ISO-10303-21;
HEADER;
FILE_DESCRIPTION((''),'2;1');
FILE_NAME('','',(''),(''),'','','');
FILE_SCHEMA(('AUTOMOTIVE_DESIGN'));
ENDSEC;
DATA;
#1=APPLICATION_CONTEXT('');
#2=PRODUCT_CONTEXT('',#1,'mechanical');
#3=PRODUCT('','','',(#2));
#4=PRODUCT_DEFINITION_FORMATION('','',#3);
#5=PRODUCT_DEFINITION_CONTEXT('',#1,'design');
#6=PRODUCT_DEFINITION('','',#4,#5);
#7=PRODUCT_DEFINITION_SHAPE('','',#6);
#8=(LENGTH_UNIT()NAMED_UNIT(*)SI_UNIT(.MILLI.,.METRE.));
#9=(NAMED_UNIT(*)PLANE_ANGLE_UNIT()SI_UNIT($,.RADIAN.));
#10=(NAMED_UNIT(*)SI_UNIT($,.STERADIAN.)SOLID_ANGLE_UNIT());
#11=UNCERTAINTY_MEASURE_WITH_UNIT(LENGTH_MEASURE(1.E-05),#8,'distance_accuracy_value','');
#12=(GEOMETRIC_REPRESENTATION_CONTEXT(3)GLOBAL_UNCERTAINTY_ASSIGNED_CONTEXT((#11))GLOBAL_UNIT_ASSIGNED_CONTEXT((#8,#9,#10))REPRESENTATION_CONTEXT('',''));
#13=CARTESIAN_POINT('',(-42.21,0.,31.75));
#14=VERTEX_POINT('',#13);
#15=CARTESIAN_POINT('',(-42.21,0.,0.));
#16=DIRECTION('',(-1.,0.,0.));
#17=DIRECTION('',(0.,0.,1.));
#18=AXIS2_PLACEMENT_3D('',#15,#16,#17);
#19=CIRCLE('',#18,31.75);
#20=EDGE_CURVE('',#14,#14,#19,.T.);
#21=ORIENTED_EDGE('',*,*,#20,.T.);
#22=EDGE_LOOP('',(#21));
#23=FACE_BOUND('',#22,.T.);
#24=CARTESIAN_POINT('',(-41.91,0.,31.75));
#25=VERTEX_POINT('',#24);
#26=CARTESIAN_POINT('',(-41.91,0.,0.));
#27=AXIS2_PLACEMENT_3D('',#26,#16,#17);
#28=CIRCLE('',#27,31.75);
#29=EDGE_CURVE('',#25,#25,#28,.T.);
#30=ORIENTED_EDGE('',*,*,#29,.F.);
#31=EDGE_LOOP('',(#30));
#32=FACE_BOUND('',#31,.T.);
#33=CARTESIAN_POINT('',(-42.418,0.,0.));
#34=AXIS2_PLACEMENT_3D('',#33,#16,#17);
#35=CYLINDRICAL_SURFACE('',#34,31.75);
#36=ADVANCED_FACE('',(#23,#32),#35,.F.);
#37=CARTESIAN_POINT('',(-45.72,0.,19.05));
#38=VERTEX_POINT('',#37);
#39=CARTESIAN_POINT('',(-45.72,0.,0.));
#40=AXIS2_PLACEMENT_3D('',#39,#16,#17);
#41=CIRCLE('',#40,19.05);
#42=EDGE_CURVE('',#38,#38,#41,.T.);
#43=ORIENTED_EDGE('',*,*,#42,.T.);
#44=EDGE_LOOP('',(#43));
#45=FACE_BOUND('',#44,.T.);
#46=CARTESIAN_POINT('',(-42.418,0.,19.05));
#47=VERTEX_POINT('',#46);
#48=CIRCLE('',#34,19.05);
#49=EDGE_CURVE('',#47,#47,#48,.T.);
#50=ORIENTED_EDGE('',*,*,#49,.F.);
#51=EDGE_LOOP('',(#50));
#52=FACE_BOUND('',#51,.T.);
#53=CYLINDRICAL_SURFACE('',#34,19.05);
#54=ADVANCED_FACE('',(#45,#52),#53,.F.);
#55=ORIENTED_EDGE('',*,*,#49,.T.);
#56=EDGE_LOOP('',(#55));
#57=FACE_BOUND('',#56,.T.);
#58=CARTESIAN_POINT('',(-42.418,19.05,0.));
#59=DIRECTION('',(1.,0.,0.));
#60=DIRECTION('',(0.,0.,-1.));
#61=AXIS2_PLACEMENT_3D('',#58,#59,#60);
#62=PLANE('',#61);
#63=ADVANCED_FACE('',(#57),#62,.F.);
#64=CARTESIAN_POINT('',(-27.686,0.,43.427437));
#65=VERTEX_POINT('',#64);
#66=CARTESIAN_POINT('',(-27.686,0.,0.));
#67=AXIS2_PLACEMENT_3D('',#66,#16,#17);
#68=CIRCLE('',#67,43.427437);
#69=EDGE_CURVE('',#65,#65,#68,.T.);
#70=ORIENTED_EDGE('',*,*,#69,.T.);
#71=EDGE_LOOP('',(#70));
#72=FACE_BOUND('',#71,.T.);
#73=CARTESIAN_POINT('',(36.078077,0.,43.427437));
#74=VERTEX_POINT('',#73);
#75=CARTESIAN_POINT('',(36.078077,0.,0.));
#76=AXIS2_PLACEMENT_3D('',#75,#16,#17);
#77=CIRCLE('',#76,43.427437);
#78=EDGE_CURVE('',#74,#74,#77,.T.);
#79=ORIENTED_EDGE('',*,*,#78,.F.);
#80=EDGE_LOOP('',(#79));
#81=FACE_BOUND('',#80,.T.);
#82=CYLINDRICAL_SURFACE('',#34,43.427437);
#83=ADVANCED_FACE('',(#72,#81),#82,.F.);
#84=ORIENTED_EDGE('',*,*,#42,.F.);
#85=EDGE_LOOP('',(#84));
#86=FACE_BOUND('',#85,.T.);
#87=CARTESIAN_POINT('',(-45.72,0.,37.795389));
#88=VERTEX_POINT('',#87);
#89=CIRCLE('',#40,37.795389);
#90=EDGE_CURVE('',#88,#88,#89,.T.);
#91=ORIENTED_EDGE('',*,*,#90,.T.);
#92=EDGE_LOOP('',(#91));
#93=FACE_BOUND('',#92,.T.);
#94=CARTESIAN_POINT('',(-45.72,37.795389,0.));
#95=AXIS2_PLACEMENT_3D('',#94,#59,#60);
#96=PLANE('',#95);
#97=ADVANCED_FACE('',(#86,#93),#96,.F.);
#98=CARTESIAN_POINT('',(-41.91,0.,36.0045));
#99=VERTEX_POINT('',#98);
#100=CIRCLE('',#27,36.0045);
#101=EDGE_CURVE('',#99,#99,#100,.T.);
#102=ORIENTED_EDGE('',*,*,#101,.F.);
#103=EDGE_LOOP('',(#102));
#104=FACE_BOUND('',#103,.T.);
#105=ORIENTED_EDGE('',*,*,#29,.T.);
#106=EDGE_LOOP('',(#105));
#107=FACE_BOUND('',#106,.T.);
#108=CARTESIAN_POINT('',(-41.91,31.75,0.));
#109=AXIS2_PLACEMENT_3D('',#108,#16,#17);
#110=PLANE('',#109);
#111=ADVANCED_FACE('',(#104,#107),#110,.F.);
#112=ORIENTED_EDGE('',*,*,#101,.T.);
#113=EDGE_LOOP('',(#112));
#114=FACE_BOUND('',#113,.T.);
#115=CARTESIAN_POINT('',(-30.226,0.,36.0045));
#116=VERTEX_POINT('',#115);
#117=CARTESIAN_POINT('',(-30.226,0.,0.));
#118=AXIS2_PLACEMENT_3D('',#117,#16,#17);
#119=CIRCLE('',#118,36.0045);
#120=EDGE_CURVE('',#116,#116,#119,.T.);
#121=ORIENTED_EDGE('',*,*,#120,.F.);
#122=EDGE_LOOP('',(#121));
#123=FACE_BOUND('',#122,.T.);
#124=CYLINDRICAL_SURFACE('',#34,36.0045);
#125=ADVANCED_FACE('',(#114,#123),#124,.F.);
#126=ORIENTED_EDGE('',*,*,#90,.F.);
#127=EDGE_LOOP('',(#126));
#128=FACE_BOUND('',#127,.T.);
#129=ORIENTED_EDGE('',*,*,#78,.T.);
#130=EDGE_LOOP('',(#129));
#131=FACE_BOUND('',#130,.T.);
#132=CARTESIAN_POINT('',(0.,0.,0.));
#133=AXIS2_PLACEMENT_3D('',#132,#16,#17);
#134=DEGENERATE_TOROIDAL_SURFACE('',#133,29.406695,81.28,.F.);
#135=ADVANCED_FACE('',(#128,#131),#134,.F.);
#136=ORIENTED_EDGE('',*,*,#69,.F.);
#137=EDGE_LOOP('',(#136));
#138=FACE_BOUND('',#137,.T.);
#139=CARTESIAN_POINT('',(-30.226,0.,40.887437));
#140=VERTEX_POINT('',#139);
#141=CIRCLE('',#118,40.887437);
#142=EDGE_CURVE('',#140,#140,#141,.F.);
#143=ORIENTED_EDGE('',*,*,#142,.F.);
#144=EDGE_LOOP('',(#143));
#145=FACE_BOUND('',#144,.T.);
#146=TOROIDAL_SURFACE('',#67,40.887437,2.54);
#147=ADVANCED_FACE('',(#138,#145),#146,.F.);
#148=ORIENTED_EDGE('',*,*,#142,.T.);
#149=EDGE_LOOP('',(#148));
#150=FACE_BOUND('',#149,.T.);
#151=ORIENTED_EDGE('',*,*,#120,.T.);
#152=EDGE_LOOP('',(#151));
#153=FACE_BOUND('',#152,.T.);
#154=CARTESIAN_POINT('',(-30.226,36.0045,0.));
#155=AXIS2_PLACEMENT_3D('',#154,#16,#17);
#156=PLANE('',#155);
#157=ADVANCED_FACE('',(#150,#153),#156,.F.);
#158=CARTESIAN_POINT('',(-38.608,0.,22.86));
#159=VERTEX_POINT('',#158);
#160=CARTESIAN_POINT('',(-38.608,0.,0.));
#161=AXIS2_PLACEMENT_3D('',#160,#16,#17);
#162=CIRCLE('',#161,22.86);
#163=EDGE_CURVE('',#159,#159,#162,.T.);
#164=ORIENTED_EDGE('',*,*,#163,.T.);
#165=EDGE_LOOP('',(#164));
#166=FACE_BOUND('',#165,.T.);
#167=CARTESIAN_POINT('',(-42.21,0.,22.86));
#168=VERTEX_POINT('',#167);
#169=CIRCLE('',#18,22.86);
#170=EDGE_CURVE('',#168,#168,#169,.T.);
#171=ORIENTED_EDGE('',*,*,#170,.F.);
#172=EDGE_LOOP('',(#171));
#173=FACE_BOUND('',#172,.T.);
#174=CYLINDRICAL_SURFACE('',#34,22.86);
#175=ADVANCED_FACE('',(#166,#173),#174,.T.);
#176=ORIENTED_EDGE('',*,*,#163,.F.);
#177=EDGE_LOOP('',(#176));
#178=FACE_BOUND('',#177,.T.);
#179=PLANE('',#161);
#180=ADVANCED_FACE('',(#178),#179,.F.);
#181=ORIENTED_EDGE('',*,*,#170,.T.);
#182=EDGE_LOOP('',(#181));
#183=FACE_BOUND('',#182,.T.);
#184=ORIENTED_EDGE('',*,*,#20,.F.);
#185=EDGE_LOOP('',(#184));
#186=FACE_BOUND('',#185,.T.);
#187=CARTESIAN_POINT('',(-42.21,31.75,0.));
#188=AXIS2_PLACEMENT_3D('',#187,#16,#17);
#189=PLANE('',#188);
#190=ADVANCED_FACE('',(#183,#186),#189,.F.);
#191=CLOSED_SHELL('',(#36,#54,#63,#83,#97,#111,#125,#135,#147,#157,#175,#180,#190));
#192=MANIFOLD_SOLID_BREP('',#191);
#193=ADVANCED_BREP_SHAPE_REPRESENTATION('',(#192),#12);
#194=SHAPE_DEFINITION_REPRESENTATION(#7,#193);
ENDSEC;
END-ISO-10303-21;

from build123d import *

# Parameters (mm, degrees)
FILLET1_R = 2.54


with BuildPart() as part:
    # Sketch1 → Revolve1 (revolve)
    with BuildSketch(Plane.XY, mode=Mode.PRIVATE) as revolve1_sk:
        with BuildLine():
            Line((-38.608, 0), (-38.608, 22.86))
            Line((-38.608, 22.86), (-41.91, 22.86))
            Line((-41.91, 22.86), (-42.21, 22.86))
            Line((-42.21, 22.86), (-42.21, 31.75))
            Line((-42.21, 31.75), (-41.91, 31.75))
            Line((-41.91, 31.75), (-41.91, 36.0045))
            Line((-41.91, 36.0045), (-30.226, 36.0045))
            Line((-30.226, 36.0045), (-30.226, 43.427437066))
            Line((-30.226, 43.427437066), (36.078077203, 43.427437066))
            ThreePointArc((36.078077203, 43.427437066), (-5.583158711, 51.681323799), (-45.72, 37.795388634))
            Line((-45.72, 37.795388634), (-45.72, 19.05))
            Line((-45.72, 19.05), (-42.418, 19.05))
            Line((-42.418, 19.05), (-42.418, 0))
            Line((-42.418, 0), (-38.608, 0))
        make_face()
    revolve(revolve1_sk.sketch.rotate(Axis((-42.418, 0, 0), (1, 0, 0)), 90), axis=Axis((-42.418, 0, 0), (1, 0, 0)))

    # Fillet1
    fillet1_edges = [part.edges().sort_by_distance(p)[0] for p in [
        (-30.226, 0, -43.427437066),
    ]]
    fillet(fillet1_edges, radius=FILLET1_R)


solid = part.part
